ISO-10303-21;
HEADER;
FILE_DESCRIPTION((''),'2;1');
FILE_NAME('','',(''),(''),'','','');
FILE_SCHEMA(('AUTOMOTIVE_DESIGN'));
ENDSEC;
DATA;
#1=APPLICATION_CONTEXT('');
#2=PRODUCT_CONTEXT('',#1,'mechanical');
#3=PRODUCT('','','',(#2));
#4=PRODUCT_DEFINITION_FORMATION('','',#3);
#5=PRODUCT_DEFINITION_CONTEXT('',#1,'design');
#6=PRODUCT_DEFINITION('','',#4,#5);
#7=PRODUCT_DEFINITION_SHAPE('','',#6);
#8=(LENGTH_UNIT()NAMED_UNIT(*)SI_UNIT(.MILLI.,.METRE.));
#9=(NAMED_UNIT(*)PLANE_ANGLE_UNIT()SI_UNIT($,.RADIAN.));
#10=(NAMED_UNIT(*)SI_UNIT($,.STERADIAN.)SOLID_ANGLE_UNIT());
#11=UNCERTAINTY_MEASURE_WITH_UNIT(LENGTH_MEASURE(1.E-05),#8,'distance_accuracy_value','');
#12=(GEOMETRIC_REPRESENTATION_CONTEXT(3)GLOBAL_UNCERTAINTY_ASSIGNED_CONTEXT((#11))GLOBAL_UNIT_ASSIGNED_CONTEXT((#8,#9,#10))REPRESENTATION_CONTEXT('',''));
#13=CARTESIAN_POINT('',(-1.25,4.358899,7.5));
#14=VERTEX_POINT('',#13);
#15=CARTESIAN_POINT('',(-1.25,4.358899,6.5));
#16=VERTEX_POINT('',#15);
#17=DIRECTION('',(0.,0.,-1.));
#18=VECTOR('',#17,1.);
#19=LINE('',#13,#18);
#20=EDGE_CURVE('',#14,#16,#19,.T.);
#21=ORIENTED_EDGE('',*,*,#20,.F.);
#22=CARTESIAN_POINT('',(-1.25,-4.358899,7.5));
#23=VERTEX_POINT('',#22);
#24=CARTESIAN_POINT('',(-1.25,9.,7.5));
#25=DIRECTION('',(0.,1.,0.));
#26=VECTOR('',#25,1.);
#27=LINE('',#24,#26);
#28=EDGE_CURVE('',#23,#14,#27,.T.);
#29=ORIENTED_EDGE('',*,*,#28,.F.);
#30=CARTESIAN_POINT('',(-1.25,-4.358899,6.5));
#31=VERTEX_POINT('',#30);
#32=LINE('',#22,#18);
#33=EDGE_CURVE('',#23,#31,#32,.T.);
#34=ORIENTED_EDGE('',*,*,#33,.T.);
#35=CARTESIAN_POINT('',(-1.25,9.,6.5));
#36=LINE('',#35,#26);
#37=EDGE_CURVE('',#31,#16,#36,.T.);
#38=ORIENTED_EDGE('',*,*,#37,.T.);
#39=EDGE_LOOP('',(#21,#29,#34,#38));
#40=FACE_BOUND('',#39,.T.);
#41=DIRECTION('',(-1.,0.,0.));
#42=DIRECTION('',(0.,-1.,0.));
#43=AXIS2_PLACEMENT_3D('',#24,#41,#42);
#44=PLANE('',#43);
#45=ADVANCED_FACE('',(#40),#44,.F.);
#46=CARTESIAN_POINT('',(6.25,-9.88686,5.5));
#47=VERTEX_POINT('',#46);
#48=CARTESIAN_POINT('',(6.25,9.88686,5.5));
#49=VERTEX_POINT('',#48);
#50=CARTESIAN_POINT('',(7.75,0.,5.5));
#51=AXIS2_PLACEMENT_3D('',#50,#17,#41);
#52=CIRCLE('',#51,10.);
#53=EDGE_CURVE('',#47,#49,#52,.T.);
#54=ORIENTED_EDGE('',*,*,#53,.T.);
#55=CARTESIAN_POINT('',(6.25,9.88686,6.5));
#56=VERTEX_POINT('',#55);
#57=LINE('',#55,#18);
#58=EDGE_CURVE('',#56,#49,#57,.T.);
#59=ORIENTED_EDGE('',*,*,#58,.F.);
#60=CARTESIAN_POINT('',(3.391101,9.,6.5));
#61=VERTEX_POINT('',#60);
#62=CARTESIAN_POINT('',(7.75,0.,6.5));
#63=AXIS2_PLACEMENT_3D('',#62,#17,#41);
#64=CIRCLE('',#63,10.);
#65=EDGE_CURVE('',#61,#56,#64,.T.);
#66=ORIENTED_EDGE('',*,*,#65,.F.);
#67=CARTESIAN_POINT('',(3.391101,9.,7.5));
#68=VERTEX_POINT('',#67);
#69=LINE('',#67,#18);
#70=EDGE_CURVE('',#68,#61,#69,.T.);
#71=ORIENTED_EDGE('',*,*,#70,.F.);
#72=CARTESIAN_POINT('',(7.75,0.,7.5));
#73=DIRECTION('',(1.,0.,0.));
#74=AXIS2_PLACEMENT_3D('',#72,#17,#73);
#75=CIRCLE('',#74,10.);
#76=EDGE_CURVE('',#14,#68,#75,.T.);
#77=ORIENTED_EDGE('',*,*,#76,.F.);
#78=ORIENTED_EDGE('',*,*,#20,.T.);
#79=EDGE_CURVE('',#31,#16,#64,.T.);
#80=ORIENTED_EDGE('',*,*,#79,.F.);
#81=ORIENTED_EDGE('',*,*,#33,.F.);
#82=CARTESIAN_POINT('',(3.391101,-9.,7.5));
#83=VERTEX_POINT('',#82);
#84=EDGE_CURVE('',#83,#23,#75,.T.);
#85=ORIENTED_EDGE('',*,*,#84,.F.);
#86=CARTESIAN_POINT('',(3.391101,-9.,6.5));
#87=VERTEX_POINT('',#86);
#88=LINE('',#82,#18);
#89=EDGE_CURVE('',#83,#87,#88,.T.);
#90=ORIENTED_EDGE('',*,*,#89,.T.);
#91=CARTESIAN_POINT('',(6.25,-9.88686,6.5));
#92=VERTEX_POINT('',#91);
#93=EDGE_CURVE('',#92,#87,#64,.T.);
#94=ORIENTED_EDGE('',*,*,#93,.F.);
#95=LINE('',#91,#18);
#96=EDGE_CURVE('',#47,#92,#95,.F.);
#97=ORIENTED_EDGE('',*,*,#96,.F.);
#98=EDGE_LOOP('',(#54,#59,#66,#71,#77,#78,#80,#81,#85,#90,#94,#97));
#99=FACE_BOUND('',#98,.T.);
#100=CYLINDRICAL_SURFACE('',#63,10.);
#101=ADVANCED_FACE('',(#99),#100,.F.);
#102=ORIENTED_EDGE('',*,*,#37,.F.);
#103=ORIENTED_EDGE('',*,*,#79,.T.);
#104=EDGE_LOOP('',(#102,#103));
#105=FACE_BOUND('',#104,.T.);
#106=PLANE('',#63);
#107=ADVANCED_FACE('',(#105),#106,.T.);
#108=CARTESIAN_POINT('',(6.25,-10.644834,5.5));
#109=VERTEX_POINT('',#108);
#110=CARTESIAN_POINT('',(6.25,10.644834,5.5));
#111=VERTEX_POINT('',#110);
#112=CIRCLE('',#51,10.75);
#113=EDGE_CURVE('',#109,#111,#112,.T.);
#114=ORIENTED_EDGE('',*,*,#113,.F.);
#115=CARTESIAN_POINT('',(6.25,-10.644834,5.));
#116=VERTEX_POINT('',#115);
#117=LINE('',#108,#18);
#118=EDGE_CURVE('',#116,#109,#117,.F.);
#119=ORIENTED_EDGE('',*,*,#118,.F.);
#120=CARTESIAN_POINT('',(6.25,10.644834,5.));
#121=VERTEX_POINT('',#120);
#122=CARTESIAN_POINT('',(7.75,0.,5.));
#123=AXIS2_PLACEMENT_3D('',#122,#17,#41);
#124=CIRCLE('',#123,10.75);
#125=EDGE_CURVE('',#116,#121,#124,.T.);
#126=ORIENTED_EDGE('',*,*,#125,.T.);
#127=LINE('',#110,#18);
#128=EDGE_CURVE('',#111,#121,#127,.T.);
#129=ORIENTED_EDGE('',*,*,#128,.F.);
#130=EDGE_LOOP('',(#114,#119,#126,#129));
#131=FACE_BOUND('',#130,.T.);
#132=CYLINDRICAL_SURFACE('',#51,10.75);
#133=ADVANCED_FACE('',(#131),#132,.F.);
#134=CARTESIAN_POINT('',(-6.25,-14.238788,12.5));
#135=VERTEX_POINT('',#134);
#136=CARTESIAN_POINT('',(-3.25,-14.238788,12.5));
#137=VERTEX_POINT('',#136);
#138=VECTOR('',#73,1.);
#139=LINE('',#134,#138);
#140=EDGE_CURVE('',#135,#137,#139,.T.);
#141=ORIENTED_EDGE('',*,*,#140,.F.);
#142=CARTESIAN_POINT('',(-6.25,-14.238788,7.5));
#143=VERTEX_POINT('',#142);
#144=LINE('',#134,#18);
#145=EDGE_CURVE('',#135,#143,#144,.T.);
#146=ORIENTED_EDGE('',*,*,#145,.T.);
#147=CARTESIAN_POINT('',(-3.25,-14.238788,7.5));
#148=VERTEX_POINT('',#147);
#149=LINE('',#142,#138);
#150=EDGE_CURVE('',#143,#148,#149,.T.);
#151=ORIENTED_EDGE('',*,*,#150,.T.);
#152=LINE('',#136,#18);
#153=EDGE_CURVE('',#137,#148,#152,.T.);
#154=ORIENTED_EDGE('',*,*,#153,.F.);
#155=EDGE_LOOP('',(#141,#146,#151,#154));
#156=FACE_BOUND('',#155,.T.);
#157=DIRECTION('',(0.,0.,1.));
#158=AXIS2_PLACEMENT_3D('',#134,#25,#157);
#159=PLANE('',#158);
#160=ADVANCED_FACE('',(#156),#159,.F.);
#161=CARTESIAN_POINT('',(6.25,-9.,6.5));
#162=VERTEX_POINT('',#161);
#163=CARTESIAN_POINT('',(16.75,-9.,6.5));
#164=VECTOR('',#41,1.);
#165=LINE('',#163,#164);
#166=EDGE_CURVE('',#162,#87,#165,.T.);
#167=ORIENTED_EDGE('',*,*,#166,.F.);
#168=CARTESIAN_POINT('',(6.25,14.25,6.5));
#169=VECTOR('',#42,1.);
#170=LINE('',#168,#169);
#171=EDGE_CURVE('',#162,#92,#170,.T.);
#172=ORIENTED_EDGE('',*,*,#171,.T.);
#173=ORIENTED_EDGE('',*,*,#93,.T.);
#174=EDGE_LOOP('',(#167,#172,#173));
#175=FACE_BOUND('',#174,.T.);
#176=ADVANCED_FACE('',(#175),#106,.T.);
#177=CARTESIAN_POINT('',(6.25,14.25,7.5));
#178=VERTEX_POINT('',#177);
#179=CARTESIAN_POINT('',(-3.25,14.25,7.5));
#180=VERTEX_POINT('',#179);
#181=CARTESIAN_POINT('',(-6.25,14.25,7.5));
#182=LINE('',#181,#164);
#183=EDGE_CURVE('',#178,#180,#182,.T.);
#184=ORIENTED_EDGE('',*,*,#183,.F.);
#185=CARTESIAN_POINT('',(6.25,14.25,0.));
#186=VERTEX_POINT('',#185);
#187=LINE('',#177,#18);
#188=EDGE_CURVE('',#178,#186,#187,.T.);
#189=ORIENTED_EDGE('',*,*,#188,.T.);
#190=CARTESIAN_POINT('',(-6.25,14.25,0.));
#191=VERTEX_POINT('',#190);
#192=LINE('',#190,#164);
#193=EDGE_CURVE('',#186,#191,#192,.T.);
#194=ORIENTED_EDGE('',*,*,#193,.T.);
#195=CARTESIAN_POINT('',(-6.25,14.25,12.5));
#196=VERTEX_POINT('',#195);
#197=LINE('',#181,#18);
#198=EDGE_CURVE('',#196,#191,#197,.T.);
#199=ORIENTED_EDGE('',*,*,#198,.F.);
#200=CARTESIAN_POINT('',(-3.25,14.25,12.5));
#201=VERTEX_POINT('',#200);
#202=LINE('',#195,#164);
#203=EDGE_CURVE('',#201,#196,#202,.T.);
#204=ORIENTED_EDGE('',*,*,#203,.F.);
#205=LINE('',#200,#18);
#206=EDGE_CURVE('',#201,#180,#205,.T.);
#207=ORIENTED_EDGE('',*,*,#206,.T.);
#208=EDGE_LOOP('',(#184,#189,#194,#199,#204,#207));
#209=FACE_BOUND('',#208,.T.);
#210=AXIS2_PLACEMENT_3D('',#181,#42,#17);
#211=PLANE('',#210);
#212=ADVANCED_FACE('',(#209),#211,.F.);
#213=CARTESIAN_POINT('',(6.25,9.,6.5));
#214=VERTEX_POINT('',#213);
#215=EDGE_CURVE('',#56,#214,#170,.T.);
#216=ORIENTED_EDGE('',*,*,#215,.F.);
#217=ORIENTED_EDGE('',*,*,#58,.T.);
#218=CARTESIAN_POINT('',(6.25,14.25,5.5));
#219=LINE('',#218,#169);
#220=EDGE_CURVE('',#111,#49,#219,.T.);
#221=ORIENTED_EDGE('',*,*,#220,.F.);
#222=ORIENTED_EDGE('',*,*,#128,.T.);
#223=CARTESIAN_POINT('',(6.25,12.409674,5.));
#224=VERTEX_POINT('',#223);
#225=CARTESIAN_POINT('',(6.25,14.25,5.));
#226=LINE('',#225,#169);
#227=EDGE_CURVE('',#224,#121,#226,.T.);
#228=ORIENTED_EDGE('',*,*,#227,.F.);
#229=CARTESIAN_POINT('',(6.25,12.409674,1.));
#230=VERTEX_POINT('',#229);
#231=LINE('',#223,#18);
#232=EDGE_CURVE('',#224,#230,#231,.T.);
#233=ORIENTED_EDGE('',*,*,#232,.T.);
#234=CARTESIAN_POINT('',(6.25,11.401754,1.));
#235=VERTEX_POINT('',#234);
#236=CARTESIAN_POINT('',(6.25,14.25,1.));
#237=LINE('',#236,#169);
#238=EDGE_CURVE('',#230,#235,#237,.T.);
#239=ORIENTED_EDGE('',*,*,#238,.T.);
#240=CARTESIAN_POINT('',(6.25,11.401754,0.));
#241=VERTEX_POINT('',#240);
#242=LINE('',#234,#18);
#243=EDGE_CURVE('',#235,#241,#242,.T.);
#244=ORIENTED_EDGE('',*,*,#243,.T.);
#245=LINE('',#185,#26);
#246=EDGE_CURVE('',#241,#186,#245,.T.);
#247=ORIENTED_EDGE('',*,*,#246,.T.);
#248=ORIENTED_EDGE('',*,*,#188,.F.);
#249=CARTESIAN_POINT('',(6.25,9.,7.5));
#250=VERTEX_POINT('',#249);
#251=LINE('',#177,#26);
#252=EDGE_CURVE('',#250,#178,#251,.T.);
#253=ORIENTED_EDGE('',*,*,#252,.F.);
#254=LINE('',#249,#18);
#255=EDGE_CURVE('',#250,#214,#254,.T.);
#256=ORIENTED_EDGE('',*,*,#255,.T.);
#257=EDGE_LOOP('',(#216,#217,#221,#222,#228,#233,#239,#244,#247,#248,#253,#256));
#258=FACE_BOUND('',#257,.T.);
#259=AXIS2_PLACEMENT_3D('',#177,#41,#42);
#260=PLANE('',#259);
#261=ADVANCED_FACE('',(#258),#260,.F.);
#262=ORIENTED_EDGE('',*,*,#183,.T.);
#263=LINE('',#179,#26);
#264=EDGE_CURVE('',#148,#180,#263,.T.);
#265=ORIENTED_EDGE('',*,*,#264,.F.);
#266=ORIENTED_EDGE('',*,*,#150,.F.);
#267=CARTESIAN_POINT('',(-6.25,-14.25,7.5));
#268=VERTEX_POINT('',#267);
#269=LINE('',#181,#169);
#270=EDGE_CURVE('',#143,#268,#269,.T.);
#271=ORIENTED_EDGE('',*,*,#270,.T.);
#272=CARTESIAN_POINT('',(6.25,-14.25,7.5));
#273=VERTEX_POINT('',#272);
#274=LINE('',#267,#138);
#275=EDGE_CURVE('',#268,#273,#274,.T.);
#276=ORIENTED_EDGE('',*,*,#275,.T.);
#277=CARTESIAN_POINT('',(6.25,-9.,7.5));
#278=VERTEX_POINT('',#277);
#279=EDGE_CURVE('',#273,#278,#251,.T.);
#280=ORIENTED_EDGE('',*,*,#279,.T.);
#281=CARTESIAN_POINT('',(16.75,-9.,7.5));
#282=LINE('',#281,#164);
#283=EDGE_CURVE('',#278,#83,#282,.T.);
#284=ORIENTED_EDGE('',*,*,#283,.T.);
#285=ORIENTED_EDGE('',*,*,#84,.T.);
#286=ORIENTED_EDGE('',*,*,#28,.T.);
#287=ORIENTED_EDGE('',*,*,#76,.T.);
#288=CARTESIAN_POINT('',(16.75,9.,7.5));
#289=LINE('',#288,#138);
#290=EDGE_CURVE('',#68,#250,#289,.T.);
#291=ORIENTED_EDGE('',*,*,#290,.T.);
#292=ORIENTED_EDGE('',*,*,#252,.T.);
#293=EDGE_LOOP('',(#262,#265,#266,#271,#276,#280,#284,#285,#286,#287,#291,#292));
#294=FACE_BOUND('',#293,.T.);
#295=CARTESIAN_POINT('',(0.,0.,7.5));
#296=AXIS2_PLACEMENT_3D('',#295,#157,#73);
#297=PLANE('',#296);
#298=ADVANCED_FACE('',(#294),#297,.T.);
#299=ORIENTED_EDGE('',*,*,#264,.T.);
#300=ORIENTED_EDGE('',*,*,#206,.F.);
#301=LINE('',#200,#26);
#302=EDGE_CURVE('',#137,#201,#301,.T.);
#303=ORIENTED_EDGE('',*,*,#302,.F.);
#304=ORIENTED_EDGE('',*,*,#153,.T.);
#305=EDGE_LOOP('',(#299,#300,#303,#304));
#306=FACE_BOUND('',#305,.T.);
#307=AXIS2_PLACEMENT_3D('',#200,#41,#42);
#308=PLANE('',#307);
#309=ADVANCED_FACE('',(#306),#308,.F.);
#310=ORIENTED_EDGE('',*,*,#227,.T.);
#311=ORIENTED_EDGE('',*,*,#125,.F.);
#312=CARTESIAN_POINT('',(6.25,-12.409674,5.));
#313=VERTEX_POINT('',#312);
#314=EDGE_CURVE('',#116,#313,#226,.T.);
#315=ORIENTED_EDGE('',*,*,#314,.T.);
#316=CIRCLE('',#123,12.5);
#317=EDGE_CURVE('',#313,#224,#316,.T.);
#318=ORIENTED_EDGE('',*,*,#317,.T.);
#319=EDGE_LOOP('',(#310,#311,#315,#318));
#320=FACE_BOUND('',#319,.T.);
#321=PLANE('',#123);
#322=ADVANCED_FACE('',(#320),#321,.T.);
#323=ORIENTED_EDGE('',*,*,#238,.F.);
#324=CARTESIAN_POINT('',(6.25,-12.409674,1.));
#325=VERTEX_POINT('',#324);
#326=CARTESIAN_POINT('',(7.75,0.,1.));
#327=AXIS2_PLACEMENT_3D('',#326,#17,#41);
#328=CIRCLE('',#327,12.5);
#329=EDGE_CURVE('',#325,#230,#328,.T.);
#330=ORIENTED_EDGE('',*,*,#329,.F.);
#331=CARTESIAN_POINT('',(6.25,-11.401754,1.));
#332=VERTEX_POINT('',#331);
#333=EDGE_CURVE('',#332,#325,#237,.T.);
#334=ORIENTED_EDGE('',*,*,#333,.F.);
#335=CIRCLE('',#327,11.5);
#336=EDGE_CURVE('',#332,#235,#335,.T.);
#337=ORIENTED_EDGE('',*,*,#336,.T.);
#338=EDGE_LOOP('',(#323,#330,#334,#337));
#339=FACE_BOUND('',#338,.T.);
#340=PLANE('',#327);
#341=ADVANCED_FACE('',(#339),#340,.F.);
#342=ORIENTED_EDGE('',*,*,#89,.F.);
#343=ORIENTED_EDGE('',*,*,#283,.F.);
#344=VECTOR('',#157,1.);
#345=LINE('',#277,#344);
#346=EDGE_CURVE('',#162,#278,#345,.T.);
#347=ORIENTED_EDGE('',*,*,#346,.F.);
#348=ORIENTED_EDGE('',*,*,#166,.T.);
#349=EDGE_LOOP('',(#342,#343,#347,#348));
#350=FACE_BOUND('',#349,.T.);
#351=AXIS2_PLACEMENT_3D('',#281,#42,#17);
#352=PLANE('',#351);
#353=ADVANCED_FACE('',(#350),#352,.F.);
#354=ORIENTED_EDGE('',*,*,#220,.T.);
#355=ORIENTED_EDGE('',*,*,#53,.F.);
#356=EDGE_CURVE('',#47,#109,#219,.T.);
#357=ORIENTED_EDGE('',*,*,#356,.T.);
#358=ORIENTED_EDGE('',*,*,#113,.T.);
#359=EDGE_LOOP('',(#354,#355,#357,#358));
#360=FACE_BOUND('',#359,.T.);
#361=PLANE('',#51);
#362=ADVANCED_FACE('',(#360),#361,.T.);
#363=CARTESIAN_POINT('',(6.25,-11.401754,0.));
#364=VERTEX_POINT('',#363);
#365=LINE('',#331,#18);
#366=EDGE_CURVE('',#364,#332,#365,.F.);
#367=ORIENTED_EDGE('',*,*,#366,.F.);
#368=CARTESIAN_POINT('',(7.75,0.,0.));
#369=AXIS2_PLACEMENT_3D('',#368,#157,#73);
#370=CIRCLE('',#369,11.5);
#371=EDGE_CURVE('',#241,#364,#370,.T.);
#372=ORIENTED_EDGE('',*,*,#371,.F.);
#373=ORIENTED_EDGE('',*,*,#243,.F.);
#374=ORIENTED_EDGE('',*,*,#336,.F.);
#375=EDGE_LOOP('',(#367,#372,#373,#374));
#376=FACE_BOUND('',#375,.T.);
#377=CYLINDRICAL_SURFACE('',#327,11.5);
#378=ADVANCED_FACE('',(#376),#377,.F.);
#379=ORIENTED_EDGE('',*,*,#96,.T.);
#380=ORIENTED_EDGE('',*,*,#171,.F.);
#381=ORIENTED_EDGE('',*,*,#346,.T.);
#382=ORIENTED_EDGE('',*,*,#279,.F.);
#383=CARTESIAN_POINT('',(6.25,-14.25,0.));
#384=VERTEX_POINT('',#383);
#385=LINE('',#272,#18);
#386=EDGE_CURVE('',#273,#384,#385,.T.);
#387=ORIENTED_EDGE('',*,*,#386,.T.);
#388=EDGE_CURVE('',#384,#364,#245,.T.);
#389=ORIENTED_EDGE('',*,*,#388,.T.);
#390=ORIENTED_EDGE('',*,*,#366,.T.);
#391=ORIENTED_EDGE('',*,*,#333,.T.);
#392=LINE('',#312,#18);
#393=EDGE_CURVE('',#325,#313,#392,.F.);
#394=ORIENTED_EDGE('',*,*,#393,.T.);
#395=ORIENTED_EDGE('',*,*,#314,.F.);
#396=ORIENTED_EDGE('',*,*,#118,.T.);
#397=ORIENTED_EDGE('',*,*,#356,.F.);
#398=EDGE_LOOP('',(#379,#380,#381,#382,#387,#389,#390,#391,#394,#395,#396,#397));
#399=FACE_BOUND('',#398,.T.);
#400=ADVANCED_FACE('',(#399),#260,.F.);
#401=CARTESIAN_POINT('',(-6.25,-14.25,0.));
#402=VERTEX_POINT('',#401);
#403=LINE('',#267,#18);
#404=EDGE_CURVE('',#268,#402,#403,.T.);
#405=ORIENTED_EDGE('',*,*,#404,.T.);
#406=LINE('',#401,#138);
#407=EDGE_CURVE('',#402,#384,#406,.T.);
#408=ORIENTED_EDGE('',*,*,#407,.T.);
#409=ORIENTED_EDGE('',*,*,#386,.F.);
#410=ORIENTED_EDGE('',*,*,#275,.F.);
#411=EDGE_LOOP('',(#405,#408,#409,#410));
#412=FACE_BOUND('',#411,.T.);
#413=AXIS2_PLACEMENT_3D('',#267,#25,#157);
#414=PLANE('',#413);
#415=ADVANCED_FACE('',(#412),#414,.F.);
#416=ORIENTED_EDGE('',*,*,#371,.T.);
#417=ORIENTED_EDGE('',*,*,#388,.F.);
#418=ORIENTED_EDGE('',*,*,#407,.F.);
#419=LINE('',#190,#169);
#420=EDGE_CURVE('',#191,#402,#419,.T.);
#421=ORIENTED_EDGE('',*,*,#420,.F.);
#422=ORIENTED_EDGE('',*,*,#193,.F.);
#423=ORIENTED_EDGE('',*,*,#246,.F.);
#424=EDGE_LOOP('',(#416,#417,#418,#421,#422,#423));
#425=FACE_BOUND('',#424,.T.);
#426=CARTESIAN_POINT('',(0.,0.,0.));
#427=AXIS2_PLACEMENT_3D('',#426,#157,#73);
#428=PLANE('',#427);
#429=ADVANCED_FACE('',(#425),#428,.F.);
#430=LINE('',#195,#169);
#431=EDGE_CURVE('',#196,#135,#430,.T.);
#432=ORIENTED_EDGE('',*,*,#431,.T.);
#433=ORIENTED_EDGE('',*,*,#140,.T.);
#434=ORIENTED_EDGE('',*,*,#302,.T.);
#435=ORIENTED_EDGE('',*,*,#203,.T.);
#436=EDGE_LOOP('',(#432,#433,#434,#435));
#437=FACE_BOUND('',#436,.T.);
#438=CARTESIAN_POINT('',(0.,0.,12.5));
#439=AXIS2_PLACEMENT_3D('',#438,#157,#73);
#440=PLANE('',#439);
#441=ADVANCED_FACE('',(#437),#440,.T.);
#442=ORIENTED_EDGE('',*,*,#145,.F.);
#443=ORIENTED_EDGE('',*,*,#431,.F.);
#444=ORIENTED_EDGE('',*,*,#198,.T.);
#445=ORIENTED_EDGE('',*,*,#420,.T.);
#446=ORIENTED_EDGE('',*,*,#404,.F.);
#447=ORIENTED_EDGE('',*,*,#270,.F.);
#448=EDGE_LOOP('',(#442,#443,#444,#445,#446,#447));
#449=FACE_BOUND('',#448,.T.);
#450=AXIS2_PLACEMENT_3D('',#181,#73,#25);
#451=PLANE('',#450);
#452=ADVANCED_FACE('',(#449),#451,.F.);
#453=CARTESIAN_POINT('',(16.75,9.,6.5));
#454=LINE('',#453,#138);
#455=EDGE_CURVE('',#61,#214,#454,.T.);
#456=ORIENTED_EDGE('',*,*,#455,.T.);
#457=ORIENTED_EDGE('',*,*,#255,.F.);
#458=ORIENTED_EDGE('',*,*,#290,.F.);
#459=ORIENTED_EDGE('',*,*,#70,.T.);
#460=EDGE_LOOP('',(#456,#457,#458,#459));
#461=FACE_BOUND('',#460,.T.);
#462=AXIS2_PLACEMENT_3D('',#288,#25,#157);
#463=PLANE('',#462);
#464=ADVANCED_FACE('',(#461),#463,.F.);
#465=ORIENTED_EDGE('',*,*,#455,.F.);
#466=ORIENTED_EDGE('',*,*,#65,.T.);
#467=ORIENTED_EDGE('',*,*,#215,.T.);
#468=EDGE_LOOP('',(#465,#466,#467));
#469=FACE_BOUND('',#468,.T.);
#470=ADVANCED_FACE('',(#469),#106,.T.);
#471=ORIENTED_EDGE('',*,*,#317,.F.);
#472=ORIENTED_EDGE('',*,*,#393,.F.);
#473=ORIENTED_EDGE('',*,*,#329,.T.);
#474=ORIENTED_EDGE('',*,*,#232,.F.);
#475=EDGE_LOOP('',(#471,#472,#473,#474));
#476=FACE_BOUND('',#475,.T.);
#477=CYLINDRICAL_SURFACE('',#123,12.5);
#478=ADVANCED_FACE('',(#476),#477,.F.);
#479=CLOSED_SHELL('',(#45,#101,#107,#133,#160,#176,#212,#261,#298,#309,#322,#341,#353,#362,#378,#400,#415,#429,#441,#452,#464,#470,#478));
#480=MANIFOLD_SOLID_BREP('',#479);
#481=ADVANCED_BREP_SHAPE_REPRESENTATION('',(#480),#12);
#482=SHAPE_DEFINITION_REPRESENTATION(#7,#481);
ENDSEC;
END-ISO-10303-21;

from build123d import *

# Parameters (mm, degrees)
SKETCH_1_W          = 12.5
SKETCH_1_H          = 28.5
EXTRUDE_1_DEPTH     = 7.5
SKETCH_2_W          = 3
SKETCH_2_H          = 28.488787575
EXTRUDE_2_DEPTH     = 5
SKETCH_3_R          = 11.5
CUT_EXTRUDE_1_DEPTH = 1
SKETCH_4_R          = 12.5
CUT_EXTRUDE_2_DEPTH = 4
SKETCH_5_R          = 10.75
CUT_EXTRUDE_3_DEPTH = 0.5
SKETCH_6_R          = 10
CUT_EXTRUDE_4_DEPTH = 1
SKETCH_7_W          = 18
SKETCH_7_H          = 18
CUT_EXTRUDE_5_DEPTH = 1
EXTRUDE_5_DEPTH     = 1


with BuildPart() as part:
    # 草图1 → 凸台-拉伸1 (new body)
    with BuildSketch(Plane.XY):
        Rectangle(SKETCH_1_W, SKETCH_1_H)
    extrude(amount=EXTRUDE_1_DEPTH)

    # 草图2 → 凸台-拉伸2 (add)
    with BuildSketch(Plane.XY.offset(7.5)):
        with Locations((-4.75, 0.005606212)):
            Rectangle(SKETCH_2_W, SKETCH_2_H)
    extrude(amount=EXTRUDE_2_DEPTH)

    # 草图3 → 切除-拉伸1 (cut)
    with BuildSketch(Plane(origin=(0, 0, 0), x_dir=(-1, 0, 0), z_dir=(0, 0, -1))):
        with Locations((-7.75, 0)):
            Circle(SKETCH_3_R)
    extrude(amount=-CUT_EXTRUDE_1_DEPTH, mode=Mode.SUBTRACT)

    # 草图4 → 切除-拉伸2 (cut)
    with BuildSketch(Plane(origin=(0, 0, 1), x_dir=(-1, 0, 0), z_dir=(0, 0, -1))):
        with Locations((-7.75, 0)):
            Circle(SKETCH_4_R)
    extrude(amount=-CUT_EXTRUDE_2_DEPTH, mode=Mode.SUBTRACT)

    # 草图5 → 切除-拉伸3 (cut)
    with BuildSketch(Plane(origin=(0, 0, 5), x_dir=(-1, 0, 0), z_dir=(0, 0, -1))):
        with Locations((-7.75, 0)):
            Circle(SKETCH_5_R)
    extrude(amount=-CUT_EXTRUDE_3_DEPTH, mode=Mode.SUBTRACT)

    # 草图6 → 切除-拉伸4 (cut)
    with BuildSketch(Plane(origin=(0, 0, 5.5), x_dir=(-1, 0, 0), z_dir=(0, 0, -1))):
        with Locations((-7.75, 0)):
            Circle(SKETCH_6_R)
    extrude(amount=-CUT_EXTRUDE_4_DEPTH, mode=Mode.SUBTRACT)

    # 草图7 → 切除-拉伸5 (cut)
    with BuildSketch(Plane(origin=(0, 0, 6.5), x_dir=(-1, 0, 0), z_dir=(0, 0, -1))):
        with Locations((-7.75, 0)):
            Rectangle(SKETCH_7_W, SKETCH_7_H)
    extrude(amount=-CUT_EXTRUDE_5_DEPTH, mode=Mode.SUBTRACT)

    # 草图9 → 凸台-拉伸5 (add)
    with BuildSketch(Plane.XY.offset(6.5)):
        with BuildLine():
            Line((3.391101056, 9), (-1.25, 9))
            Line((-1.25, 9), (-1.25, 4.358898944))
            ThreePointArc((-1.25, 4.358898944), (0.678932188, 7.071067812), (3.391101056, 9))
        make_face()
        with BuildLine():
            Line((-1.25, -4.358898944), (-1.25, -9))
            Line((-1.25, -9), (3.391101056, -9))
            ThreePointArc((3.391101056, -9), (0.678932188, -7.071067812), (-1.25, -4.358898944))
        make_face()
    extrude(amount=EXTRUDE_5_DEPTH)


solid = part.part
